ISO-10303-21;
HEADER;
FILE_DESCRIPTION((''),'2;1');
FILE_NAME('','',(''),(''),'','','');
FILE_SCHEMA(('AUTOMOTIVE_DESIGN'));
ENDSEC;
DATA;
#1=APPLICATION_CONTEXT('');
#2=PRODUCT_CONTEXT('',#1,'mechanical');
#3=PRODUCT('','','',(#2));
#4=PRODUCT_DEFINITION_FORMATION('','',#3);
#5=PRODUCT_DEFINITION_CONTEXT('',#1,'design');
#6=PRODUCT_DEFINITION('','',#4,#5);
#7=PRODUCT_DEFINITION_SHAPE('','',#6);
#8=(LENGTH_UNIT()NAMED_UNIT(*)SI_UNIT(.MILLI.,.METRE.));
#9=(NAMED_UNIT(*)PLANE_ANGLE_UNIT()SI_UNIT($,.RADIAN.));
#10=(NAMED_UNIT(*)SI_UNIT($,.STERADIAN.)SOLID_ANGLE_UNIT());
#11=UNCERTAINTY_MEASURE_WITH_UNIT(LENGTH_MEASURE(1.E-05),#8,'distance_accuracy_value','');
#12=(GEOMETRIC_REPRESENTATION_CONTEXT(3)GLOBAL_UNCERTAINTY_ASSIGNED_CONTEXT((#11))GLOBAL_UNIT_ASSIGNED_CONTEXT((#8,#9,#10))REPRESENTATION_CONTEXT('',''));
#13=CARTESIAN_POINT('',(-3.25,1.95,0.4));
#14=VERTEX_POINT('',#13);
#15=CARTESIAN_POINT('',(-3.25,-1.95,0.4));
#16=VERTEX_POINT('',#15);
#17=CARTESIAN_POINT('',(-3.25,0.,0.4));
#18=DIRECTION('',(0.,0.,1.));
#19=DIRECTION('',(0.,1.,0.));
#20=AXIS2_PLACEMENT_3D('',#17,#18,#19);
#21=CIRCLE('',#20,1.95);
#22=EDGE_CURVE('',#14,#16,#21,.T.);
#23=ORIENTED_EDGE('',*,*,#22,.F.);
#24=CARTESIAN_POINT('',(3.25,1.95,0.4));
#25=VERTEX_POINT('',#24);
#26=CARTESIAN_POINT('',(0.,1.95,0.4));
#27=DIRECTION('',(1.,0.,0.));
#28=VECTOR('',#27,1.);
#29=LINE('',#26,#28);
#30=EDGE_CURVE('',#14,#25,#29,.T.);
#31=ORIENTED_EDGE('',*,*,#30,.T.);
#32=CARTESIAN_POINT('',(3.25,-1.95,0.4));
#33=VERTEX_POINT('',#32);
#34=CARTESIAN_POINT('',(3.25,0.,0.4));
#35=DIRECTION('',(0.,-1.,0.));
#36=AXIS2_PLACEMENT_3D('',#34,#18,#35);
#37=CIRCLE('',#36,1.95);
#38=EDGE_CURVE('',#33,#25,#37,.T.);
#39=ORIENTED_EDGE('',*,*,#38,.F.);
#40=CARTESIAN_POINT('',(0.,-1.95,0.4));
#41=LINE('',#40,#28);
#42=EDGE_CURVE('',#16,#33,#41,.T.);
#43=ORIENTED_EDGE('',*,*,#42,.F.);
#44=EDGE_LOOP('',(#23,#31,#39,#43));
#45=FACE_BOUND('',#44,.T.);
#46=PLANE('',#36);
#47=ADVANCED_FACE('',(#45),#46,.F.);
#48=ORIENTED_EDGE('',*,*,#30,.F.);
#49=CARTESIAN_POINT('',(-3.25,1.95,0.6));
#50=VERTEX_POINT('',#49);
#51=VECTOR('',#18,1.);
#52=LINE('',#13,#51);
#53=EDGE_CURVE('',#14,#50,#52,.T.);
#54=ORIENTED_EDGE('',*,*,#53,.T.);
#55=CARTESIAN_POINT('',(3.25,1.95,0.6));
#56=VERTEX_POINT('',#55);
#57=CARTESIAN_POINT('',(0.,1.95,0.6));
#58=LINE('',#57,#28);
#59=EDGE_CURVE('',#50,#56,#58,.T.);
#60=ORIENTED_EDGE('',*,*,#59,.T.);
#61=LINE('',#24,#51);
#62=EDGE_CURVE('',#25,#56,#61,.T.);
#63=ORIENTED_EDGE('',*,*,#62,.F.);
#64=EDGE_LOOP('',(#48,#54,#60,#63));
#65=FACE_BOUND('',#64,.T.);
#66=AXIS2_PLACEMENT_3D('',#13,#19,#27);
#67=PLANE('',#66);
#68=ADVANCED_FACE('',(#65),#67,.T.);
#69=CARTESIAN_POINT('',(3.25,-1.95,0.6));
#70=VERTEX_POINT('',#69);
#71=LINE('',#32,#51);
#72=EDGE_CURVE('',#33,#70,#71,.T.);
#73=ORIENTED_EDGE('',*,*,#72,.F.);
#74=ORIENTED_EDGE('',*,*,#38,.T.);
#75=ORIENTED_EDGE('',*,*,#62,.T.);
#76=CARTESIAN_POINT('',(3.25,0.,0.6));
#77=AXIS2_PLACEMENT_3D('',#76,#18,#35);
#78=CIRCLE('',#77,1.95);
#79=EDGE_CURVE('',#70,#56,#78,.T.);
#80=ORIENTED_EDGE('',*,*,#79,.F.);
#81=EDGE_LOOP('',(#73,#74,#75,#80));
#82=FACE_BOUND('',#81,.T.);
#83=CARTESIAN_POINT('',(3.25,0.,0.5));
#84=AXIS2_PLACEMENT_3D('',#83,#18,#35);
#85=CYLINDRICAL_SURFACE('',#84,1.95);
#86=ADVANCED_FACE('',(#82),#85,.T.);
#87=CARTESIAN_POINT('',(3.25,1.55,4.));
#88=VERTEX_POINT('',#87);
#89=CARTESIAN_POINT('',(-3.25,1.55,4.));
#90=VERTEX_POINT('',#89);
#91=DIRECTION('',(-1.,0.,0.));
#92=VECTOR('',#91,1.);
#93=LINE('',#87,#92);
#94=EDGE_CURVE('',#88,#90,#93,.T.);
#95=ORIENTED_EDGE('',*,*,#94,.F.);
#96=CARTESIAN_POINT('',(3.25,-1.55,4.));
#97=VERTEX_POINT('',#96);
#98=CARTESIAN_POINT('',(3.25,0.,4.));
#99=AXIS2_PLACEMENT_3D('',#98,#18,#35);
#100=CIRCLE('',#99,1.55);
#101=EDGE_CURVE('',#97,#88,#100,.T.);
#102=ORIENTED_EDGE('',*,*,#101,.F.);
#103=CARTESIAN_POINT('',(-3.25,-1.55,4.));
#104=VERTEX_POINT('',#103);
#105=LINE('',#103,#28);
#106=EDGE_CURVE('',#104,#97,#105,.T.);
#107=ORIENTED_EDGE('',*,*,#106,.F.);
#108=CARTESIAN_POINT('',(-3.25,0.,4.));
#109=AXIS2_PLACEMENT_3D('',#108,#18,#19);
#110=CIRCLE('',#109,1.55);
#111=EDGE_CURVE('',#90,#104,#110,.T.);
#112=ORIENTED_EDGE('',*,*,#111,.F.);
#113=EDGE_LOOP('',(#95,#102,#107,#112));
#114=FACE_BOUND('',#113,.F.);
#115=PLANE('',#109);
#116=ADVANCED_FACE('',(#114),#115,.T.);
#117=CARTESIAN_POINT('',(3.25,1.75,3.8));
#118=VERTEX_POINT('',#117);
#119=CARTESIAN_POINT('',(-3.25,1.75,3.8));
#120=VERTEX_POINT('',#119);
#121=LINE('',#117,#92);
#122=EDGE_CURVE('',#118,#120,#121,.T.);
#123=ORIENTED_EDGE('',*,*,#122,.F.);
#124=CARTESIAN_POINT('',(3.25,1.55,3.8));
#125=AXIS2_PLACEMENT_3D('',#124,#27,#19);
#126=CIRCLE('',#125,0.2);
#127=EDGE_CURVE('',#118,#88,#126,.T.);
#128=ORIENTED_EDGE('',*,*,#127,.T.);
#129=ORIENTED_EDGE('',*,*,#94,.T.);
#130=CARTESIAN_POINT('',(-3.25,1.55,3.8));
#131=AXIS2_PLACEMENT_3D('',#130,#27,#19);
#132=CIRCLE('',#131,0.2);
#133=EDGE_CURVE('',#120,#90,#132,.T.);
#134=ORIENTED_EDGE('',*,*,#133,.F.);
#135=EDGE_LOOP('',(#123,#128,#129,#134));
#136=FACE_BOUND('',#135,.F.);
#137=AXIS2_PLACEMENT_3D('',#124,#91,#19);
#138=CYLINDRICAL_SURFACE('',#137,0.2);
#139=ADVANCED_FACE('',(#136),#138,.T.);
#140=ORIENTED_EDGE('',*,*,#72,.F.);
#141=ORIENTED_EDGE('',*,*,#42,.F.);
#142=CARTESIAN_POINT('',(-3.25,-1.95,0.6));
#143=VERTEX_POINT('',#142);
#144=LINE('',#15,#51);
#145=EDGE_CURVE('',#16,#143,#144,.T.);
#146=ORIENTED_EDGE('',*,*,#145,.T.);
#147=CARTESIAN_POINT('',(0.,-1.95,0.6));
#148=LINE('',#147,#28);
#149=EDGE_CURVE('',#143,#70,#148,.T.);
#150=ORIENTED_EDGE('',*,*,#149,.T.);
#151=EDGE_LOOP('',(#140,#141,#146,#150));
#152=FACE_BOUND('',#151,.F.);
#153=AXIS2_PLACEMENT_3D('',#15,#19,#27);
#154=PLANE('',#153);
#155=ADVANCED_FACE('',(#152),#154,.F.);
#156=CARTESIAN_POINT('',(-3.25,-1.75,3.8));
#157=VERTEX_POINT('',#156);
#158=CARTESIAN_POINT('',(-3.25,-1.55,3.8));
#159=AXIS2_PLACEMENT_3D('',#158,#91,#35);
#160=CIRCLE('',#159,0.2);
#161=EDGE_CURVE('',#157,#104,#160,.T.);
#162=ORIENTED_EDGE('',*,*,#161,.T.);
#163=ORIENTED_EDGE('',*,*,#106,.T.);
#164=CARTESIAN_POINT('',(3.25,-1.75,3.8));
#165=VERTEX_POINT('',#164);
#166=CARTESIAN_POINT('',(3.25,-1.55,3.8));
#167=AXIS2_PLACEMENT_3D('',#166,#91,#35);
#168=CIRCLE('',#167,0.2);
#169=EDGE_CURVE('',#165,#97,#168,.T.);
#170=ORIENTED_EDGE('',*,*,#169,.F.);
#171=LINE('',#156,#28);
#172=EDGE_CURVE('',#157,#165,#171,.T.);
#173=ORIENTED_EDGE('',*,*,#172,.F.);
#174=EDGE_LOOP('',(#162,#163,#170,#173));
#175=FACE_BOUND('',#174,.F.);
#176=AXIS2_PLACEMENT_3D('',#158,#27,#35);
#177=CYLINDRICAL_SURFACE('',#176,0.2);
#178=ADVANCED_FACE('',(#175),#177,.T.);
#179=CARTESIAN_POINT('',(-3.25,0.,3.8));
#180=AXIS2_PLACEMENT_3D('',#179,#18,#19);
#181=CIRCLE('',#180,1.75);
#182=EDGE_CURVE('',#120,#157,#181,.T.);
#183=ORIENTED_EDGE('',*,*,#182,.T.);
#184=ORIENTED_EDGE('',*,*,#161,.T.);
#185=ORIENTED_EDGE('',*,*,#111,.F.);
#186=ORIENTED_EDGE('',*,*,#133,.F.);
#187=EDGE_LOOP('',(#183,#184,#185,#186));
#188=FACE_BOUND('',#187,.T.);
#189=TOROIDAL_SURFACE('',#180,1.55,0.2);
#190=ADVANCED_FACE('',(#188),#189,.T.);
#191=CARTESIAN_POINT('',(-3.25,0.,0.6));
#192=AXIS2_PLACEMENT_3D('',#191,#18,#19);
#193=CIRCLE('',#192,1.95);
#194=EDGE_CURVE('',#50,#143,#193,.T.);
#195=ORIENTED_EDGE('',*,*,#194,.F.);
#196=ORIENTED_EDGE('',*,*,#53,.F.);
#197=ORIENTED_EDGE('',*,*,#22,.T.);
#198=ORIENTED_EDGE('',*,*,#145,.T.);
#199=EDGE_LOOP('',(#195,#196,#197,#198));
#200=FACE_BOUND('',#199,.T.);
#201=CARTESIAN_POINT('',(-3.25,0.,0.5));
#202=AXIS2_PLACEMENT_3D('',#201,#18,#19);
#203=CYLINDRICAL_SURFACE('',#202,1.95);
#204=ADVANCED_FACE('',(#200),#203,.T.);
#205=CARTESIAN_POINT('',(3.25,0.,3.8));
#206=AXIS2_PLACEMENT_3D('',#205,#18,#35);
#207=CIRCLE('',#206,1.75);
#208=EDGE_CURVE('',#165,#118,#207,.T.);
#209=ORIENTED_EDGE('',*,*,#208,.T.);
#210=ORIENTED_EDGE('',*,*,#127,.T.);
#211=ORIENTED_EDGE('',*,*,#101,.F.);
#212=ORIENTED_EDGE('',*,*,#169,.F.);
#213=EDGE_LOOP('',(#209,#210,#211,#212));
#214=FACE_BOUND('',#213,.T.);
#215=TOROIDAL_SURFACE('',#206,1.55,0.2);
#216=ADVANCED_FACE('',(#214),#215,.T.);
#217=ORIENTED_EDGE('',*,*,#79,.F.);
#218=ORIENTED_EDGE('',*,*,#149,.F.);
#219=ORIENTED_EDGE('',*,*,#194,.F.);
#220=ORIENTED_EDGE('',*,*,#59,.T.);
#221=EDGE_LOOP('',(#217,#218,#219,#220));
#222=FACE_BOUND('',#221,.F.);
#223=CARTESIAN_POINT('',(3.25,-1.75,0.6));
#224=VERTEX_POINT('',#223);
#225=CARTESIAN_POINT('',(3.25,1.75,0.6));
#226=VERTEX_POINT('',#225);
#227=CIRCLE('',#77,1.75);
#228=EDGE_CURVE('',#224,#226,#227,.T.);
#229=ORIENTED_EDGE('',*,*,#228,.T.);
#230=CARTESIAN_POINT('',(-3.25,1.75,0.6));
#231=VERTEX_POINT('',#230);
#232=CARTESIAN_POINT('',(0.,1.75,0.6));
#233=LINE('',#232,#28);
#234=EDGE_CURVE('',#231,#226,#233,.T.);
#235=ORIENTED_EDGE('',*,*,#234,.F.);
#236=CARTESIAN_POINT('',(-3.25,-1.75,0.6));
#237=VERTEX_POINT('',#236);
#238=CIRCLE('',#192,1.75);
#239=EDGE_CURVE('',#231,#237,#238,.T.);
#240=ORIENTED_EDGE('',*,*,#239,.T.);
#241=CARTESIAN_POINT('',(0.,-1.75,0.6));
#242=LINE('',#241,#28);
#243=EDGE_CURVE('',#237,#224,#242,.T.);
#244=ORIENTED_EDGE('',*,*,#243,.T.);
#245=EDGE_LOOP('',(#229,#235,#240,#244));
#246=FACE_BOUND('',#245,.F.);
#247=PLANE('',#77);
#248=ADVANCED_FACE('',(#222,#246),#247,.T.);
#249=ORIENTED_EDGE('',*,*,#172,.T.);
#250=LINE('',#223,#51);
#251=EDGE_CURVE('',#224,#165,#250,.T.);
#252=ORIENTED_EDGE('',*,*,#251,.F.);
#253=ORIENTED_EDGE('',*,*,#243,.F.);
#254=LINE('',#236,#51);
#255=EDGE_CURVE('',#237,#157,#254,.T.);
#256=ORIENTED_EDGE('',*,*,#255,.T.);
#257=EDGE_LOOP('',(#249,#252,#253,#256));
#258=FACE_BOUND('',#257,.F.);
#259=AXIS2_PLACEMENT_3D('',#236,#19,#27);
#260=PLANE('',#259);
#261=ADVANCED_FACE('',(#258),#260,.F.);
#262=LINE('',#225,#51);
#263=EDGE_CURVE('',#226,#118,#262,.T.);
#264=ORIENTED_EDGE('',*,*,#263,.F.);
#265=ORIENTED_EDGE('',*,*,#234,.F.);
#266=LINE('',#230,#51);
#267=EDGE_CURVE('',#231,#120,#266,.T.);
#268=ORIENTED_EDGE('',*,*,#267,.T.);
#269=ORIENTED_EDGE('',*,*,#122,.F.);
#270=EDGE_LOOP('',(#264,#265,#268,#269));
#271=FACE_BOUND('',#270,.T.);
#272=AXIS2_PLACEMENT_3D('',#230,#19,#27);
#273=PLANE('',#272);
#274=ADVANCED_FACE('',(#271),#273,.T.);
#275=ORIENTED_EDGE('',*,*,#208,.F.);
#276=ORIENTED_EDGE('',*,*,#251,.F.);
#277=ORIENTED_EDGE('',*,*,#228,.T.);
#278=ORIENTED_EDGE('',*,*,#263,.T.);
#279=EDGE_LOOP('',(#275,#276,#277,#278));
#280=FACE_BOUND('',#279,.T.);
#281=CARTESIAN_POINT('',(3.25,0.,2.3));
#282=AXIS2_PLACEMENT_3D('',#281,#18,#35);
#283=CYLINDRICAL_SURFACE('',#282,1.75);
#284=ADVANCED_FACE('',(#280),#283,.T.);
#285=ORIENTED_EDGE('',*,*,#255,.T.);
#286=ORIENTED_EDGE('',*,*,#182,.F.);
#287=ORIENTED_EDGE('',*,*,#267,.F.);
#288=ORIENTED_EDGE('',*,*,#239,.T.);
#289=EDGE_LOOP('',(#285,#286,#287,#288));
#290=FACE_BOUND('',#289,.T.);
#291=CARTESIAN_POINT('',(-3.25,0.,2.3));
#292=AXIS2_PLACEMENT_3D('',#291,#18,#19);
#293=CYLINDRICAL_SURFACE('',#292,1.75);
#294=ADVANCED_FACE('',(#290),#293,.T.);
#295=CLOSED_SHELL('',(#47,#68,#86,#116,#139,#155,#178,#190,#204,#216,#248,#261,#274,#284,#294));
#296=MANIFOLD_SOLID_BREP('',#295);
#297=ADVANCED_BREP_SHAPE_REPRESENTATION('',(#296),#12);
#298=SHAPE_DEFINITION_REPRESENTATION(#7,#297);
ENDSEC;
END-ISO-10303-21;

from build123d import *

# Parameters (mm, degrees)
CYLINDER005_W     = 1.75
CYLINDER005_H     = 3.4
CYLINDER005_ANGLE = 180
CYLINDER004_W     = 1.75
CYLINDER004_H     = 3.4
CYLINDER004_ANGLE = 180
BOX010_W          = 6.5
BOX010_H          = 3.9
BOX010_DEPTH      = 0.2
CYLINDER006_W     = 1.95
CYLINDER006_H     = 0.2
CYLINDER006_ANGLE = 180
CYLINDER007_W     = 1.95
CYLINDER007_H     = 0.2
CYLINDER007_ANGLE = 180
BOX009_W          = 6.5
BOX009_H          = 3.5
BOX009_DEPTH      = 3.4
FILLET001_R       = 0.2


with BuildPart() as cylinder005:
    # Cylinder005 → Cylinder005 (revolve)
    with BuildSketch(Plane(origin=(3.25, 0, 0.6), x_dir=(0, -1, 0), z_dir=(-1, 0, 0))):
        with Locations((0.875, 1.7)):
            Rectangle(CYLINDER005_W, CYLINDER005_H)
    revolve(axis=Axis((3.25, 0, 0.6), (0, 0, 1)), revolution_arc=CYLINDER005_ANGLE)


with BuildPart() as cylinder004:
    # Cylinder004 → Cylinder004 (revolve)
    with BuildSketch(Plane(origin=(-3.25, 0, 0.6), x_dir=(0, 1, 0), z_dir=(1, 0, 0))):
        with Locations((0.875, 1.7)):
            Rectangle(CYLINDER004_W, CYLINDER004_H)
    revolve(axis=Axis((-3.25, 0, 0.6), (0, 0, 1)), revolution_arc=CYLINDER004_ANGLE)


with BuildPart() as cube008:
    # Box010 → Box010 (new body)
    with BuildSketch(Plane(origin=(-3.25, -1.95, 0.4), x_dir=(1, 0, 0), z_dir=(0, 0, 1))):
        with Locations((3.25, 1.95)):
            Rectangle(BOX010_W, BOX010_H)
    extrude(amount=BOX010_DEPTH)


with BuildPart() as cylinder006:
    # Cylinder006 → Cylinder006 (revolve)
    with BuildSketch(Plane(origin=(-3.25, 0, 0.4), x_dir=(0, 1, 0), z_dir=(1, 0, 0))):
        with Locations((0.975, 0.1)):
            Rectangle(CYLINDER006_W, CYLINDER006_H)
    revolve(axis=Axis((-3.25, 0, 0.4), (0, 0, 1)), revolution_arc=CYLINDER006_ANGLE)


with BuildPart() as cylinder007:
    # Cylinder007 → Cylinder007 (revolve)
    with BuildSketch(Plane(origin=(3.25, 0, 0.4), x_dir=(0, -1, 0), z_dir=(-1, 0, 0))):
        with Locations((0.975, 0.1)):
            Rectangle(CYLINDER007_W, CYLINDER007_H)
    revolve(axis=Axis((3.25, 0, 0.4), (0, 0, 1)), revolution_arc=CYLINDER007_ANGLE)


with BuildPart() as cap:
    # Box009 → Box009 (new body)
    with BuildSketch(Plane(origin=(-3.25, -1.75, 0.6), x_dir=(1, 0, 0), z_dir=(0, 0, 1))):
        with Locations((3.25, 1.75)):
            Rectangle(BOX009_W, BOX009_H)
    extrude(amount=BOX009_DEPTH)

    # Fusion001: union Cylinder005, Cylinder004, Cube008, Cylinder006, Cylinder007
    add(cylinder005.part)
    add(cylinder004.part)
    add(cube008.part)
    add(cylinder006.part)
    add(cylinder007.part)

    # Fillet001
    fillet001_edges = [cap.edges().sort_by_distance(p)[0] for p in [
        (0, -1.75, 4),
        (5, 0, 4),
        (0, 1.75, 4),
        (-5, 0, 4),
    ]]
    fillet(fillet001_edges, radius=FILLET001_R)


solid = cap.part
